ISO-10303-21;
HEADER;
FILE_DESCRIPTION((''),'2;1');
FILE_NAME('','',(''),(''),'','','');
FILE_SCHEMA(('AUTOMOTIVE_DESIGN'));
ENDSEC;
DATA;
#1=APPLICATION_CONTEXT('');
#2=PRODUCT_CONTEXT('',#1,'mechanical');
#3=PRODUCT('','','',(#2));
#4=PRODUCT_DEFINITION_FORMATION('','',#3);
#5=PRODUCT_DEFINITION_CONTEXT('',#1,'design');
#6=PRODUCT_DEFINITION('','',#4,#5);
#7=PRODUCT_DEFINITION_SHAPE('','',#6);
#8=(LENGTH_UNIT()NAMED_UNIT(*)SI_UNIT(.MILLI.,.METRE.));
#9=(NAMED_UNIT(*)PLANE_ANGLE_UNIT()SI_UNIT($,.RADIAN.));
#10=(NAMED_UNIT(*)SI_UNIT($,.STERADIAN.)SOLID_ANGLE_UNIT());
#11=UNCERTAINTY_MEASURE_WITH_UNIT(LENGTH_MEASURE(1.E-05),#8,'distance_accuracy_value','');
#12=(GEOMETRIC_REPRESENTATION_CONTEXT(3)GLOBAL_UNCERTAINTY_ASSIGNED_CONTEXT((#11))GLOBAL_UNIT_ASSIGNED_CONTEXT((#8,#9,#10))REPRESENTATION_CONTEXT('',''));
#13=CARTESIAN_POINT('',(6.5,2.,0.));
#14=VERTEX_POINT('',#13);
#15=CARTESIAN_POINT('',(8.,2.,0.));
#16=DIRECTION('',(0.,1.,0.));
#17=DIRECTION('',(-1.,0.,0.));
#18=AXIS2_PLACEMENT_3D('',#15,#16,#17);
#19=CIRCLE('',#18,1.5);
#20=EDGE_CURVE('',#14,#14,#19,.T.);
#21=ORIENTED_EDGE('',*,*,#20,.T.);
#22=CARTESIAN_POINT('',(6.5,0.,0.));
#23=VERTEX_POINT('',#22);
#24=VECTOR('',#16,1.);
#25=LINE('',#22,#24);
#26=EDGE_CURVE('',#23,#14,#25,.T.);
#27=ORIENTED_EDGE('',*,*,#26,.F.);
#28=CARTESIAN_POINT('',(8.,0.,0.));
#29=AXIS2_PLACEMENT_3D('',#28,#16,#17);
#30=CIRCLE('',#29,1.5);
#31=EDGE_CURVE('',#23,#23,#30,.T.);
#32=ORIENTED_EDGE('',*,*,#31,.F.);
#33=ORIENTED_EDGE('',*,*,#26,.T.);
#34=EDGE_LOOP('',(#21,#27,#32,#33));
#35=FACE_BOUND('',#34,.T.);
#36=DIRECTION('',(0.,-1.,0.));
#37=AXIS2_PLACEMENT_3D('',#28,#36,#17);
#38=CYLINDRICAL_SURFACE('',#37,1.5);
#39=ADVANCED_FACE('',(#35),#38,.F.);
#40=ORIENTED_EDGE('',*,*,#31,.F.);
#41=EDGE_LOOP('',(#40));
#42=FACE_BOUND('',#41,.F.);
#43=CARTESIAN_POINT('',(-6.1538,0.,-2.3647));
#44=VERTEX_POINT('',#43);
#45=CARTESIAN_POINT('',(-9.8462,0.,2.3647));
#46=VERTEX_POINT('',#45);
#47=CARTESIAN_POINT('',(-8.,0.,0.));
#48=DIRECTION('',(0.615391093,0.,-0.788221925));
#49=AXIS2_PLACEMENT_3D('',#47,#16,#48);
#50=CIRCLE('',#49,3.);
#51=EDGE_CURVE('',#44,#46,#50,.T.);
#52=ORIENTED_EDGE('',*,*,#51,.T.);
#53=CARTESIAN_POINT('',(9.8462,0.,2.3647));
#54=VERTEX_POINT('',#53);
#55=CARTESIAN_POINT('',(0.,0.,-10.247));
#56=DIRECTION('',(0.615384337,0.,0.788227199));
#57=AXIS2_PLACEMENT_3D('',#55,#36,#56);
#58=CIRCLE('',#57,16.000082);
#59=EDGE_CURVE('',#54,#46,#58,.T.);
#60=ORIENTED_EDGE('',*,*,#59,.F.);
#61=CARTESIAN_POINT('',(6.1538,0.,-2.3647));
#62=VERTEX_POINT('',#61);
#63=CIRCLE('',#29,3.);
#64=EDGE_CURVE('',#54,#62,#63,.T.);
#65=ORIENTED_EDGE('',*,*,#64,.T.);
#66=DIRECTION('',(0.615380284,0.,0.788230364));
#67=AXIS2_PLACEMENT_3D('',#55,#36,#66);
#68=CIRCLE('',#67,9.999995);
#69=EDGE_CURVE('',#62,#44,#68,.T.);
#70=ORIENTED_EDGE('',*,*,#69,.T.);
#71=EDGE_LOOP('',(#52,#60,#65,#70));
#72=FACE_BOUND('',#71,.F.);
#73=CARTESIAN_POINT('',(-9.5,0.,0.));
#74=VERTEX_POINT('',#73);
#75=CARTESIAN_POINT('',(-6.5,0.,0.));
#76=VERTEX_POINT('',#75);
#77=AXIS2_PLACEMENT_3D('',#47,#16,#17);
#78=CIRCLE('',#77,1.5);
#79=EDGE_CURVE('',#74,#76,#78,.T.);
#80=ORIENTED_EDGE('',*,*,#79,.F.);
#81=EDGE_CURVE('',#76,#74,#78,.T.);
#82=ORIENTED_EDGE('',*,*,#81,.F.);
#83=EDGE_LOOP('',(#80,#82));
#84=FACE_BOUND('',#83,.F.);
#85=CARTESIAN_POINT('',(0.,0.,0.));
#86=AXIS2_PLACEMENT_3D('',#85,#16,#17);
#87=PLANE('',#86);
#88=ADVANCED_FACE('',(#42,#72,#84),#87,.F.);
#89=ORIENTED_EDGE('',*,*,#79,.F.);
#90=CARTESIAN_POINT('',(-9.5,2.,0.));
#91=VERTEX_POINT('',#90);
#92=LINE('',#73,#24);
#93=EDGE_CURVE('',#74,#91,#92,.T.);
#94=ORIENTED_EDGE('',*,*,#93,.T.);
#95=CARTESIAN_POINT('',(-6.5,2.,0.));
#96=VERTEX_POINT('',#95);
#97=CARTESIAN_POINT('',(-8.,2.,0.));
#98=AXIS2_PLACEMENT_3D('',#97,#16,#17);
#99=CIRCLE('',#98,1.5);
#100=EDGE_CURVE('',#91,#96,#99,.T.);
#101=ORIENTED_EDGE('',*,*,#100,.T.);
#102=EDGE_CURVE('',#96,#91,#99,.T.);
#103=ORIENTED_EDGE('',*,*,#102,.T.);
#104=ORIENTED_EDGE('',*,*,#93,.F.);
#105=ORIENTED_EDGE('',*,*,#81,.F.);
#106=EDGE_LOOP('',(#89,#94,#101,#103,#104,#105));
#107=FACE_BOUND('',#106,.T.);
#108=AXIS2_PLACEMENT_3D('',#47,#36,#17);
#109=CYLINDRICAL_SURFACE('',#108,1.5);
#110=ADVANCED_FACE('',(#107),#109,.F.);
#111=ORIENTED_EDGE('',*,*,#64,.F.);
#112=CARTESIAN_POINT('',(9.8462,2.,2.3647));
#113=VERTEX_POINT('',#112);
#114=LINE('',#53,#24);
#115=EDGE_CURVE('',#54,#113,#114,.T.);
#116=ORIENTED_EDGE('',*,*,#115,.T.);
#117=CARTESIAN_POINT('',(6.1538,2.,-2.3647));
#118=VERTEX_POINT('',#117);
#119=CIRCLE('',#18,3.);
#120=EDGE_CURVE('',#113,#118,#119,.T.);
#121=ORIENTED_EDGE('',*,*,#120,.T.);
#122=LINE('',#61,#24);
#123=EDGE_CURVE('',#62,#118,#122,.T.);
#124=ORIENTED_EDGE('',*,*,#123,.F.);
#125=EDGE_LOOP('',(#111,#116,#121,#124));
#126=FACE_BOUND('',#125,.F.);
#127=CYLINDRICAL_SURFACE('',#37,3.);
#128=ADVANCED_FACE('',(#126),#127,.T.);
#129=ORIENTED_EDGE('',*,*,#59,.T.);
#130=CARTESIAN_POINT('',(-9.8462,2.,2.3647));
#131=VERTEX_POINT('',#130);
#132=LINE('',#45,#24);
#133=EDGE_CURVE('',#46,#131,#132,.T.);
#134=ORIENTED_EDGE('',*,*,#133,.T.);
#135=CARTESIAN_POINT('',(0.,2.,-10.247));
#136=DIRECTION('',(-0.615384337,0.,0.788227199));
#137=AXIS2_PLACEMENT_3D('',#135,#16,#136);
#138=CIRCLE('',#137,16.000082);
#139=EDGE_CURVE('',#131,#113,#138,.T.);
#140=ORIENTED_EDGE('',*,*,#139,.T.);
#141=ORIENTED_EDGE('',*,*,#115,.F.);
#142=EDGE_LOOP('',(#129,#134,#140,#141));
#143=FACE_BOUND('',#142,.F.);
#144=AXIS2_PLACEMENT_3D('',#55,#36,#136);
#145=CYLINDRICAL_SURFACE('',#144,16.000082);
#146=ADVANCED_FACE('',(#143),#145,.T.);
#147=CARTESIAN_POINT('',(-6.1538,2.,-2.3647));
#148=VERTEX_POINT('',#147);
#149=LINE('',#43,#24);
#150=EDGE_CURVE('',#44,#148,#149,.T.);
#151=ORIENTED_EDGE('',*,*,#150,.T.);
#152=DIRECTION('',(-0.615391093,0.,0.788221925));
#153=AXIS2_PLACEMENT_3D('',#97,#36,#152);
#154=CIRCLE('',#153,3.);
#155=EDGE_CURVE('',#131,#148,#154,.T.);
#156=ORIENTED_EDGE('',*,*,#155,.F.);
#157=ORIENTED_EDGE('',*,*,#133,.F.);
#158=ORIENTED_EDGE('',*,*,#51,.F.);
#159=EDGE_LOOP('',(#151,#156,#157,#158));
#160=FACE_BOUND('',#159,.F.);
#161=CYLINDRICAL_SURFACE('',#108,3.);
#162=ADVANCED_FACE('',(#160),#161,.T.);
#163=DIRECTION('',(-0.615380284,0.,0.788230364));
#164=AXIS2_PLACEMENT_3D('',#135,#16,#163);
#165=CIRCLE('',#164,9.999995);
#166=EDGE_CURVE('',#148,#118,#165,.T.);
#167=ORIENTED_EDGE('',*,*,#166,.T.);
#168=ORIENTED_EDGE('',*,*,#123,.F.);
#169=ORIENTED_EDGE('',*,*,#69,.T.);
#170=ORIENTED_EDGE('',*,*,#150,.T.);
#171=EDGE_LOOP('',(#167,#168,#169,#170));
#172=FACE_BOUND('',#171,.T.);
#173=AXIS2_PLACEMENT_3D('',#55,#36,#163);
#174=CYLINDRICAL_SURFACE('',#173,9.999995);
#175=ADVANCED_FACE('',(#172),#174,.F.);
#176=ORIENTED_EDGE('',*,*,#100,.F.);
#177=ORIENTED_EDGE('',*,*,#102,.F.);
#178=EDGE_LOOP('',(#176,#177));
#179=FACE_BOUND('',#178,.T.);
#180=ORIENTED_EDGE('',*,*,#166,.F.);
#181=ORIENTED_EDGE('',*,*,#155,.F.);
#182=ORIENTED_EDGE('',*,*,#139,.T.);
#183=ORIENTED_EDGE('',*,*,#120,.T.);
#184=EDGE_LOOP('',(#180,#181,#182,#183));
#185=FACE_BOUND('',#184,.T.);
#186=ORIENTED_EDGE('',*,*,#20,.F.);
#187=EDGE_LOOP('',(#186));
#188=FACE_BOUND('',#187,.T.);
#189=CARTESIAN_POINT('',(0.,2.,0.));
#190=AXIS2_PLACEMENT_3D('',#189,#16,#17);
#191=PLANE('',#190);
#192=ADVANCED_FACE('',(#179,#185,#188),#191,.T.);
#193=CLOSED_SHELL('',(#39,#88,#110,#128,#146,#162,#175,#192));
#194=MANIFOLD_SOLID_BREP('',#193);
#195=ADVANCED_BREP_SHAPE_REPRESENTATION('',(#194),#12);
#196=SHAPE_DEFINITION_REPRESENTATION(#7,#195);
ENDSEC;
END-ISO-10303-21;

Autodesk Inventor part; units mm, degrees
ref_plane "YZ Plane" through (0, 0, 0) normal (1, 0, 0) x (0, 1, 0)
ref_plane "XZ Plane" through (0, 0, 0) normal (0, 1, 0) x (-1, 0, 0)
ref_plane "XY Plane" through (0, 0, 0) normal (0, 0, 1) x (1, 0, 0)
sketch "Sketch1" plane through (0, 0, 0) normal (0, 1, 0) x (-1, 0, 0)
  circle A0 centre (8, 0) radius 3
  line L0 (8, 0) -> (-8, 0)
  circle A1 centre (-8, 0) radius 3
  arc A2 (6.1538, -2.3647) -> (-6.1538, -2.3647) centre (0, -10.247) ccw
  line L1 (0, -0.247) -> (0, 5.753)
  arc A3 (9.8462, 2.3647) -> (-9.8462, 2.3647) centre (0, -10.247) ccw
  circle A4 centre (8, 0) radius 1.5
  circle A5 centre (-8, 0) radius 1.5
  point P0 (0, 0)
  dimension "d13" = 16
  dimension "d14" = 6
  dimension "d16" = 6
  dimension "d17" = 3
  dimension "d18" = 3
extrude "Extrusion1" add sketch "Sketch1" along normal blind 2
properties part number "tahlo-neco"
